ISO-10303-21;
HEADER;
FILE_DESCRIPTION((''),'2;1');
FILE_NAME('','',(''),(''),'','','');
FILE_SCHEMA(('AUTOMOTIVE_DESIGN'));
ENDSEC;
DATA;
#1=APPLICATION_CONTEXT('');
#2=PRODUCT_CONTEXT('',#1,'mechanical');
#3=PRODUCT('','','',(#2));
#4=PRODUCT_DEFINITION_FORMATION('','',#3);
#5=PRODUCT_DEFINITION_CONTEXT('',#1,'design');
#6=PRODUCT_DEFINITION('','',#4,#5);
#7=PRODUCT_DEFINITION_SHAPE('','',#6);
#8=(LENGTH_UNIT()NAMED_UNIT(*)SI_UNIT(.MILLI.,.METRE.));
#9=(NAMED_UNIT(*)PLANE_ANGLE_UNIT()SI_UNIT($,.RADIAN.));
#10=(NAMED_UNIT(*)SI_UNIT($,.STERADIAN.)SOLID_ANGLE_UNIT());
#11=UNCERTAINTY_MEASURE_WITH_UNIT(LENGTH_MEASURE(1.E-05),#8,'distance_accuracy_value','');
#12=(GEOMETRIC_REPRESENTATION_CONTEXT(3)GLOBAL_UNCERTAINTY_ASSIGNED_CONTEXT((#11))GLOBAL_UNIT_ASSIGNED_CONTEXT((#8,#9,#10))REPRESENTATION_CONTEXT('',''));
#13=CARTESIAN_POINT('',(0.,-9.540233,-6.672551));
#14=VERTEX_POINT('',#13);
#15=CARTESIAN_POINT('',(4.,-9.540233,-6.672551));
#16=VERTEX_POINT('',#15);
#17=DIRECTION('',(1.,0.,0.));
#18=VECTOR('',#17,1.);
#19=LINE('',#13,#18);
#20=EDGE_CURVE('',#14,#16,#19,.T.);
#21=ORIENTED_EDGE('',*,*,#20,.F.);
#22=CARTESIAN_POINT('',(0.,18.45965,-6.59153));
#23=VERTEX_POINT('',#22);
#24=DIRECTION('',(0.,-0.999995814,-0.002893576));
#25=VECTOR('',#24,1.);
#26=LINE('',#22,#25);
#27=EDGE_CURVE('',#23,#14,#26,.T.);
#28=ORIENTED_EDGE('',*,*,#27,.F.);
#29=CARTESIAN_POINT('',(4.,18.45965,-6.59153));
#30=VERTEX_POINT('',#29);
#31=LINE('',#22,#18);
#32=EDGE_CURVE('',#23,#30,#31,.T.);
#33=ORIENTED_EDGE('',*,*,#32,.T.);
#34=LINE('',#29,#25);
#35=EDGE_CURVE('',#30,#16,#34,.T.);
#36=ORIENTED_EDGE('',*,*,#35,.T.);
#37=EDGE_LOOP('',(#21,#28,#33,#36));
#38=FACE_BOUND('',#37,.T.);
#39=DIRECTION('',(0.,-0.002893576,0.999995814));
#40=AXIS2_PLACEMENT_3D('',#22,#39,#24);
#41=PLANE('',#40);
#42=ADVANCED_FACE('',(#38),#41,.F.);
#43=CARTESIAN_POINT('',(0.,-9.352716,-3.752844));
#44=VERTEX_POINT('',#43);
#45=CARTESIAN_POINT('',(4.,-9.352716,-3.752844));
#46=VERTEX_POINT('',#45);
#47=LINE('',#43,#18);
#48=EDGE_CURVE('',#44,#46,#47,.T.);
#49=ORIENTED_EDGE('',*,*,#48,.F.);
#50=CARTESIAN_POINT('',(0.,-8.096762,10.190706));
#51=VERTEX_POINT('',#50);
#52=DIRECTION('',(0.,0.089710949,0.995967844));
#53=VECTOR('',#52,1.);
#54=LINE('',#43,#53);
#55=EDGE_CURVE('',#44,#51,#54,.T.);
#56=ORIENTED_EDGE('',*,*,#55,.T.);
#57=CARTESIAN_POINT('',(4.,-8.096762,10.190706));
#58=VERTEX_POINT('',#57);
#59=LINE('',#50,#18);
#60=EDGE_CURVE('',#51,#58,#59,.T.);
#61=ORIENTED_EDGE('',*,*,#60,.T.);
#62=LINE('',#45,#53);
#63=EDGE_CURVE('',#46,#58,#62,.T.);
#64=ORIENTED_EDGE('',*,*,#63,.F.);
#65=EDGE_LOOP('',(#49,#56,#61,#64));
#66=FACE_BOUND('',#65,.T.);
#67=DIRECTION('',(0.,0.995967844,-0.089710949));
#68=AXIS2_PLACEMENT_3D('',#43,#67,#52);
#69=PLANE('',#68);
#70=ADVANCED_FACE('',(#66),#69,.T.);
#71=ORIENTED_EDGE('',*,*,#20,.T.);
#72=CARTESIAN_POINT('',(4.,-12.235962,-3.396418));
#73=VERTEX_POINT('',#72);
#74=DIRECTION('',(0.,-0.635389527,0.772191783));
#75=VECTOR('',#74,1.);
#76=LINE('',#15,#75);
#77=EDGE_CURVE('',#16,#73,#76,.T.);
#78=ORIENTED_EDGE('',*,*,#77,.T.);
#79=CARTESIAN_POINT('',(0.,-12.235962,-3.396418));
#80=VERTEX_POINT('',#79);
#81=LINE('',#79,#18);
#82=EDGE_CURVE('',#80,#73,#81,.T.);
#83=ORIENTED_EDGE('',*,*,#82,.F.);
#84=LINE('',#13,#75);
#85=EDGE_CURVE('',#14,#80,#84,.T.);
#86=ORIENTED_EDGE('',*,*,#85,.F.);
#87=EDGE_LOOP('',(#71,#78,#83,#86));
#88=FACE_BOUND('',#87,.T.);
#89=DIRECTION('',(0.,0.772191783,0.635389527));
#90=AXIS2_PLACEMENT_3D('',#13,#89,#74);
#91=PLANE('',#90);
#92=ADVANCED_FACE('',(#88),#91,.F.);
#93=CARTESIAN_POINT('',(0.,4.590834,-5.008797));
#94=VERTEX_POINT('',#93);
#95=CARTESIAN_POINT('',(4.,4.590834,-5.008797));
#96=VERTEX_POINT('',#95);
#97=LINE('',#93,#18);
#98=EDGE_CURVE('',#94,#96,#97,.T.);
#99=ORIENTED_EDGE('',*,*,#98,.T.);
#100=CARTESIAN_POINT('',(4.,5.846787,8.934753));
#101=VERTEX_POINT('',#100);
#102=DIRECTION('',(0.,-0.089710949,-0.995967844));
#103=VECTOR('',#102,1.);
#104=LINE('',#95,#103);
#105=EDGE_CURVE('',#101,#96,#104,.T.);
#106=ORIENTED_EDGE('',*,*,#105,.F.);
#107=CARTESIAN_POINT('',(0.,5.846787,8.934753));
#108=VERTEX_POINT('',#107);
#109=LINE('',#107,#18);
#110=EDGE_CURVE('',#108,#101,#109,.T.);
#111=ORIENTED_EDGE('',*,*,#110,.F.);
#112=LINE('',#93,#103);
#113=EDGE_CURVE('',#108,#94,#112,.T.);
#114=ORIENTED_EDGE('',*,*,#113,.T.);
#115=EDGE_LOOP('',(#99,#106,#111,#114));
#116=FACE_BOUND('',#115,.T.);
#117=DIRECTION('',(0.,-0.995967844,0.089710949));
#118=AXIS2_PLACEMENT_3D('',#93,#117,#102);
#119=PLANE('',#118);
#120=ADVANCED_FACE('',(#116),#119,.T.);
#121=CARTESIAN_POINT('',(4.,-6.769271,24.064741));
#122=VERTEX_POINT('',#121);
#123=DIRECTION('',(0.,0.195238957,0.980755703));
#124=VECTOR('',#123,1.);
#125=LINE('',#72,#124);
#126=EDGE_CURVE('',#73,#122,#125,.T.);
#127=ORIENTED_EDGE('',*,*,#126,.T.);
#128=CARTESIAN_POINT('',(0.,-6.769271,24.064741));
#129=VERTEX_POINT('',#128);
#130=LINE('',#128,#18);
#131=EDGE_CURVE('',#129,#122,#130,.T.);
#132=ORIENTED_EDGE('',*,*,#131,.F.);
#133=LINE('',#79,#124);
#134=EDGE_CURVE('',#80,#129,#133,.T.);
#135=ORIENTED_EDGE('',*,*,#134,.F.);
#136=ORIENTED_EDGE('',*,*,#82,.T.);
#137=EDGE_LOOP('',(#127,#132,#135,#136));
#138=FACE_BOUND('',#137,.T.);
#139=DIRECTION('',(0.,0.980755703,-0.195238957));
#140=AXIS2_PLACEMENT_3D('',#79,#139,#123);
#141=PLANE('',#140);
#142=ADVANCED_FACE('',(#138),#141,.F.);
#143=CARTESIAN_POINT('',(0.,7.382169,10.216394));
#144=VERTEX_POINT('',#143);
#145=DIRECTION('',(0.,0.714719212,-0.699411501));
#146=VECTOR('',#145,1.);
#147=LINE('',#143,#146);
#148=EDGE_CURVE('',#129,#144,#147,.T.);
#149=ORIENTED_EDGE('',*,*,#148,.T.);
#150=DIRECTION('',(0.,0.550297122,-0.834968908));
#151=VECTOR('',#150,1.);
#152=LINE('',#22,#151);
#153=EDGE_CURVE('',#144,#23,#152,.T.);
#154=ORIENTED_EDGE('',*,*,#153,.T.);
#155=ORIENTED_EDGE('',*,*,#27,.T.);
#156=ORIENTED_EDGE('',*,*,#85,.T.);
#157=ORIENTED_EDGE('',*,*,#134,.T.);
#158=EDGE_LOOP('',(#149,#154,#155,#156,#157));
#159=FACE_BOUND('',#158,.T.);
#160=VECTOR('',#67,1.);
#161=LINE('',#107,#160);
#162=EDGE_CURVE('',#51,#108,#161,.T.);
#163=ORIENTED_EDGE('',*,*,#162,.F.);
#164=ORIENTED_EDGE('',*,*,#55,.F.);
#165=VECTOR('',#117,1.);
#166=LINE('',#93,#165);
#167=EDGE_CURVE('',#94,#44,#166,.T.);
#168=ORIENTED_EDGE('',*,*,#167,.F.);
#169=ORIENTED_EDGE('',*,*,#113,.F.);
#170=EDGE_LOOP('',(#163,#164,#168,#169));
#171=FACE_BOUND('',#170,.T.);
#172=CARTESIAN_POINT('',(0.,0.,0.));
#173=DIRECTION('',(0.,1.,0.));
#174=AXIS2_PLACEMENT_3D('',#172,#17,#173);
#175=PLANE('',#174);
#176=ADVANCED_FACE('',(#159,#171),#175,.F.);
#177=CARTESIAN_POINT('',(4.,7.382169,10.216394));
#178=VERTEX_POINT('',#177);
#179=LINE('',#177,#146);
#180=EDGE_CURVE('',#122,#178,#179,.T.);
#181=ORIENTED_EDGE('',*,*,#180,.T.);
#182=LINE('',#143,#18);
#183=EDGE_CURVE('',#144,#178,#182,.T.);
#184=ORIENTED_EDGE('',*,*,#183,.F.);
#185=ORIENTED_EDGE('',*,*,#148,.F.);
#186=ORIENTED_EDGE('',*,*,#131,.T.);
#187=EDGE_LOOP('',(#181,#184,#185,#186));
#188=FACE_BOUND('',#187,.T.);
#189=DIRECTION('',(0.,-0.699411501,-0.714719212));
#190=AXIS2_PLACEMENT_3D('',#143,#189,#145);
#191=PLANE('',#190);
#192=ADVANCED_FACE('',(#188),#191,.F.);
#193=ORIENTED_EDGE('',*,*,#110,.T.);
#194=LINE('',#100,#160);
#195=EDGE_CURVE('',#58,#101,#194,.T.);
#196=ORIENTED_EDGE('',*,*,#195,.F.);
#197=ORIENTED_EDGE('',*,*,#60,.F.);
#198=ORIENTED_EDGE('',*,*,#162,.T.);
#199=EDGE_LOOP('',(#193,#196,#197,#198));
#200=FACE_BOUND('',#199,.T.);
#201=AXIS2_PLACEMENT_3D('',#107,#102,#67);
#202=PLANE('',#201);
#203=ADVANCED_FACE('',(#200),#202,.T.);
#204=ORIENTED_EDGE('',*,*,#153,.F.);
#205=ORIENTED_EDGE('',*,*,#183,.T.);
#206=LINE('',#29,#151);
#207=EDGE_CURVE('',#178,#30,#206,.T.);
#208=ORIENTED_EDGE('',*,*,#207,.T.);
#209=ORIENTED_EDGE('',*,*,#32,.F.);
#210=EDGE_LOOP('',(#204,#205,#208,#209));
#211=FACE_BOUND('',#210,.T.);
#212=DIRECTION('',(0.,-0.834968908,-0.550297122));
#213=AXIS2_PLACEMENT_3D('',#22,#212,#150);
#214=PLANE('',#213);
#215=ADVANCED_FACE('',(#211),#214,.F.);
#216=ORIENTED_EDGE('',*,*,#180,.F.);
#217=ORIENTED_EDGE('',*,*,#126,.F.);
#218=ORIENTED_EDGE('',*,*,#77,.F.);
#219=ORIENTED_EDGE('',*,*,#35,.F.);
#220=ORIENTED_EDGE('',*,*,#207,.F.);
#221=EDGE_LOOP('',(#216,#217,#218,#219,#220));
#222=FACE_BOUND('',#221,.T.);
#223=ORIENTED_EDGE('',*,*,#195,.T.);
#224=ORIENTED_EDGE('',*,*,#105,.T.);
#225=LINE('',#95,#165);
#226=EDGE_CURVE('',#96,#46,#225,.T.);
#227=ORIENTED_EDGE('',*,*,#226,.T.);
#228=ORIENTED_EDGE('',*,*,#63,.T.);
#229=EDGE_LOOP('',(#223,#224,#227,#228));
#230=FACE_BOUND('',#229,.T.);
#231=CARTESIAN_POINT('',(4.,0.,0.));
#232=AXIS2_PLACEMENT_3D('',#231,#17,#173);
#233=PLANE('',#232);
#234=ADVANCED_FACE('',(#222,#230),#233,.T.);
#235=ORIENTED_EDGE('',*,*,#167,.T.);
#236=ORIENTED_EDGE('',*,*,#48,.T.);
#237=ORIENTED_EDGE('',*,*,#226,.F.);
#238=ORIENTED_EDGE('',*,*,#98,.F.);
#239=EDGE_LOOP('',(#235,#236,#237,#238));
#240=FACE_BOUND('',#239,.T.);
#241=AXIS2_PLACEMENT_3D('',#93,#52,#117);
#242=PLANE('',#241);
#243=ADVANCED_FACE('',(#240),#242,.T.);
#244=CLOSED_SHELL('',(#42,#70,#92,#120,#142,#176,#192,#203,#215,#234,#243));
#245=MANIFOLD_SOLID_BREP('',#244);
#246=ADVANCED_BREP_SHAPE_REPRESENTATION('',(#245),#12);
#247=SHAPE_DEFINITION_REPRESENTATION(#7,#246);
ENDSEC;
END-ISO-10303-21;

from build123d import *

# Parameters (mm, degrees)
EXTRUDE_1_DEPTH = 4


with BuildPart() as part:
    # Sketch 1 → Бобышка-Вытянуть1 (new body)
    with BuildSketch(Plane(origin=(0, 18.459650088, -6.591530499), x_dir=(-8.942452936584094e-15, -0.6354457681716477, 0.7721455016463832), z_dir=(1, 0, 0))):
        Polygon((0, 0), (20.017301467, -2.12709708), (39.702713782, 0), (21.972488377, 21.671158416), (17.729847698, 21.671467431), align=None)
        Polygon((20.003340082, -0.12714581), (29.833488484, 9.841213252), (19.865129422, 19.671361654), (10.03498102, 9.703002592), align=None, mode=Mode.SUBTRACT)
    extrude(amount=EXTRUDE_1_DEPTH)


solid = part.part
